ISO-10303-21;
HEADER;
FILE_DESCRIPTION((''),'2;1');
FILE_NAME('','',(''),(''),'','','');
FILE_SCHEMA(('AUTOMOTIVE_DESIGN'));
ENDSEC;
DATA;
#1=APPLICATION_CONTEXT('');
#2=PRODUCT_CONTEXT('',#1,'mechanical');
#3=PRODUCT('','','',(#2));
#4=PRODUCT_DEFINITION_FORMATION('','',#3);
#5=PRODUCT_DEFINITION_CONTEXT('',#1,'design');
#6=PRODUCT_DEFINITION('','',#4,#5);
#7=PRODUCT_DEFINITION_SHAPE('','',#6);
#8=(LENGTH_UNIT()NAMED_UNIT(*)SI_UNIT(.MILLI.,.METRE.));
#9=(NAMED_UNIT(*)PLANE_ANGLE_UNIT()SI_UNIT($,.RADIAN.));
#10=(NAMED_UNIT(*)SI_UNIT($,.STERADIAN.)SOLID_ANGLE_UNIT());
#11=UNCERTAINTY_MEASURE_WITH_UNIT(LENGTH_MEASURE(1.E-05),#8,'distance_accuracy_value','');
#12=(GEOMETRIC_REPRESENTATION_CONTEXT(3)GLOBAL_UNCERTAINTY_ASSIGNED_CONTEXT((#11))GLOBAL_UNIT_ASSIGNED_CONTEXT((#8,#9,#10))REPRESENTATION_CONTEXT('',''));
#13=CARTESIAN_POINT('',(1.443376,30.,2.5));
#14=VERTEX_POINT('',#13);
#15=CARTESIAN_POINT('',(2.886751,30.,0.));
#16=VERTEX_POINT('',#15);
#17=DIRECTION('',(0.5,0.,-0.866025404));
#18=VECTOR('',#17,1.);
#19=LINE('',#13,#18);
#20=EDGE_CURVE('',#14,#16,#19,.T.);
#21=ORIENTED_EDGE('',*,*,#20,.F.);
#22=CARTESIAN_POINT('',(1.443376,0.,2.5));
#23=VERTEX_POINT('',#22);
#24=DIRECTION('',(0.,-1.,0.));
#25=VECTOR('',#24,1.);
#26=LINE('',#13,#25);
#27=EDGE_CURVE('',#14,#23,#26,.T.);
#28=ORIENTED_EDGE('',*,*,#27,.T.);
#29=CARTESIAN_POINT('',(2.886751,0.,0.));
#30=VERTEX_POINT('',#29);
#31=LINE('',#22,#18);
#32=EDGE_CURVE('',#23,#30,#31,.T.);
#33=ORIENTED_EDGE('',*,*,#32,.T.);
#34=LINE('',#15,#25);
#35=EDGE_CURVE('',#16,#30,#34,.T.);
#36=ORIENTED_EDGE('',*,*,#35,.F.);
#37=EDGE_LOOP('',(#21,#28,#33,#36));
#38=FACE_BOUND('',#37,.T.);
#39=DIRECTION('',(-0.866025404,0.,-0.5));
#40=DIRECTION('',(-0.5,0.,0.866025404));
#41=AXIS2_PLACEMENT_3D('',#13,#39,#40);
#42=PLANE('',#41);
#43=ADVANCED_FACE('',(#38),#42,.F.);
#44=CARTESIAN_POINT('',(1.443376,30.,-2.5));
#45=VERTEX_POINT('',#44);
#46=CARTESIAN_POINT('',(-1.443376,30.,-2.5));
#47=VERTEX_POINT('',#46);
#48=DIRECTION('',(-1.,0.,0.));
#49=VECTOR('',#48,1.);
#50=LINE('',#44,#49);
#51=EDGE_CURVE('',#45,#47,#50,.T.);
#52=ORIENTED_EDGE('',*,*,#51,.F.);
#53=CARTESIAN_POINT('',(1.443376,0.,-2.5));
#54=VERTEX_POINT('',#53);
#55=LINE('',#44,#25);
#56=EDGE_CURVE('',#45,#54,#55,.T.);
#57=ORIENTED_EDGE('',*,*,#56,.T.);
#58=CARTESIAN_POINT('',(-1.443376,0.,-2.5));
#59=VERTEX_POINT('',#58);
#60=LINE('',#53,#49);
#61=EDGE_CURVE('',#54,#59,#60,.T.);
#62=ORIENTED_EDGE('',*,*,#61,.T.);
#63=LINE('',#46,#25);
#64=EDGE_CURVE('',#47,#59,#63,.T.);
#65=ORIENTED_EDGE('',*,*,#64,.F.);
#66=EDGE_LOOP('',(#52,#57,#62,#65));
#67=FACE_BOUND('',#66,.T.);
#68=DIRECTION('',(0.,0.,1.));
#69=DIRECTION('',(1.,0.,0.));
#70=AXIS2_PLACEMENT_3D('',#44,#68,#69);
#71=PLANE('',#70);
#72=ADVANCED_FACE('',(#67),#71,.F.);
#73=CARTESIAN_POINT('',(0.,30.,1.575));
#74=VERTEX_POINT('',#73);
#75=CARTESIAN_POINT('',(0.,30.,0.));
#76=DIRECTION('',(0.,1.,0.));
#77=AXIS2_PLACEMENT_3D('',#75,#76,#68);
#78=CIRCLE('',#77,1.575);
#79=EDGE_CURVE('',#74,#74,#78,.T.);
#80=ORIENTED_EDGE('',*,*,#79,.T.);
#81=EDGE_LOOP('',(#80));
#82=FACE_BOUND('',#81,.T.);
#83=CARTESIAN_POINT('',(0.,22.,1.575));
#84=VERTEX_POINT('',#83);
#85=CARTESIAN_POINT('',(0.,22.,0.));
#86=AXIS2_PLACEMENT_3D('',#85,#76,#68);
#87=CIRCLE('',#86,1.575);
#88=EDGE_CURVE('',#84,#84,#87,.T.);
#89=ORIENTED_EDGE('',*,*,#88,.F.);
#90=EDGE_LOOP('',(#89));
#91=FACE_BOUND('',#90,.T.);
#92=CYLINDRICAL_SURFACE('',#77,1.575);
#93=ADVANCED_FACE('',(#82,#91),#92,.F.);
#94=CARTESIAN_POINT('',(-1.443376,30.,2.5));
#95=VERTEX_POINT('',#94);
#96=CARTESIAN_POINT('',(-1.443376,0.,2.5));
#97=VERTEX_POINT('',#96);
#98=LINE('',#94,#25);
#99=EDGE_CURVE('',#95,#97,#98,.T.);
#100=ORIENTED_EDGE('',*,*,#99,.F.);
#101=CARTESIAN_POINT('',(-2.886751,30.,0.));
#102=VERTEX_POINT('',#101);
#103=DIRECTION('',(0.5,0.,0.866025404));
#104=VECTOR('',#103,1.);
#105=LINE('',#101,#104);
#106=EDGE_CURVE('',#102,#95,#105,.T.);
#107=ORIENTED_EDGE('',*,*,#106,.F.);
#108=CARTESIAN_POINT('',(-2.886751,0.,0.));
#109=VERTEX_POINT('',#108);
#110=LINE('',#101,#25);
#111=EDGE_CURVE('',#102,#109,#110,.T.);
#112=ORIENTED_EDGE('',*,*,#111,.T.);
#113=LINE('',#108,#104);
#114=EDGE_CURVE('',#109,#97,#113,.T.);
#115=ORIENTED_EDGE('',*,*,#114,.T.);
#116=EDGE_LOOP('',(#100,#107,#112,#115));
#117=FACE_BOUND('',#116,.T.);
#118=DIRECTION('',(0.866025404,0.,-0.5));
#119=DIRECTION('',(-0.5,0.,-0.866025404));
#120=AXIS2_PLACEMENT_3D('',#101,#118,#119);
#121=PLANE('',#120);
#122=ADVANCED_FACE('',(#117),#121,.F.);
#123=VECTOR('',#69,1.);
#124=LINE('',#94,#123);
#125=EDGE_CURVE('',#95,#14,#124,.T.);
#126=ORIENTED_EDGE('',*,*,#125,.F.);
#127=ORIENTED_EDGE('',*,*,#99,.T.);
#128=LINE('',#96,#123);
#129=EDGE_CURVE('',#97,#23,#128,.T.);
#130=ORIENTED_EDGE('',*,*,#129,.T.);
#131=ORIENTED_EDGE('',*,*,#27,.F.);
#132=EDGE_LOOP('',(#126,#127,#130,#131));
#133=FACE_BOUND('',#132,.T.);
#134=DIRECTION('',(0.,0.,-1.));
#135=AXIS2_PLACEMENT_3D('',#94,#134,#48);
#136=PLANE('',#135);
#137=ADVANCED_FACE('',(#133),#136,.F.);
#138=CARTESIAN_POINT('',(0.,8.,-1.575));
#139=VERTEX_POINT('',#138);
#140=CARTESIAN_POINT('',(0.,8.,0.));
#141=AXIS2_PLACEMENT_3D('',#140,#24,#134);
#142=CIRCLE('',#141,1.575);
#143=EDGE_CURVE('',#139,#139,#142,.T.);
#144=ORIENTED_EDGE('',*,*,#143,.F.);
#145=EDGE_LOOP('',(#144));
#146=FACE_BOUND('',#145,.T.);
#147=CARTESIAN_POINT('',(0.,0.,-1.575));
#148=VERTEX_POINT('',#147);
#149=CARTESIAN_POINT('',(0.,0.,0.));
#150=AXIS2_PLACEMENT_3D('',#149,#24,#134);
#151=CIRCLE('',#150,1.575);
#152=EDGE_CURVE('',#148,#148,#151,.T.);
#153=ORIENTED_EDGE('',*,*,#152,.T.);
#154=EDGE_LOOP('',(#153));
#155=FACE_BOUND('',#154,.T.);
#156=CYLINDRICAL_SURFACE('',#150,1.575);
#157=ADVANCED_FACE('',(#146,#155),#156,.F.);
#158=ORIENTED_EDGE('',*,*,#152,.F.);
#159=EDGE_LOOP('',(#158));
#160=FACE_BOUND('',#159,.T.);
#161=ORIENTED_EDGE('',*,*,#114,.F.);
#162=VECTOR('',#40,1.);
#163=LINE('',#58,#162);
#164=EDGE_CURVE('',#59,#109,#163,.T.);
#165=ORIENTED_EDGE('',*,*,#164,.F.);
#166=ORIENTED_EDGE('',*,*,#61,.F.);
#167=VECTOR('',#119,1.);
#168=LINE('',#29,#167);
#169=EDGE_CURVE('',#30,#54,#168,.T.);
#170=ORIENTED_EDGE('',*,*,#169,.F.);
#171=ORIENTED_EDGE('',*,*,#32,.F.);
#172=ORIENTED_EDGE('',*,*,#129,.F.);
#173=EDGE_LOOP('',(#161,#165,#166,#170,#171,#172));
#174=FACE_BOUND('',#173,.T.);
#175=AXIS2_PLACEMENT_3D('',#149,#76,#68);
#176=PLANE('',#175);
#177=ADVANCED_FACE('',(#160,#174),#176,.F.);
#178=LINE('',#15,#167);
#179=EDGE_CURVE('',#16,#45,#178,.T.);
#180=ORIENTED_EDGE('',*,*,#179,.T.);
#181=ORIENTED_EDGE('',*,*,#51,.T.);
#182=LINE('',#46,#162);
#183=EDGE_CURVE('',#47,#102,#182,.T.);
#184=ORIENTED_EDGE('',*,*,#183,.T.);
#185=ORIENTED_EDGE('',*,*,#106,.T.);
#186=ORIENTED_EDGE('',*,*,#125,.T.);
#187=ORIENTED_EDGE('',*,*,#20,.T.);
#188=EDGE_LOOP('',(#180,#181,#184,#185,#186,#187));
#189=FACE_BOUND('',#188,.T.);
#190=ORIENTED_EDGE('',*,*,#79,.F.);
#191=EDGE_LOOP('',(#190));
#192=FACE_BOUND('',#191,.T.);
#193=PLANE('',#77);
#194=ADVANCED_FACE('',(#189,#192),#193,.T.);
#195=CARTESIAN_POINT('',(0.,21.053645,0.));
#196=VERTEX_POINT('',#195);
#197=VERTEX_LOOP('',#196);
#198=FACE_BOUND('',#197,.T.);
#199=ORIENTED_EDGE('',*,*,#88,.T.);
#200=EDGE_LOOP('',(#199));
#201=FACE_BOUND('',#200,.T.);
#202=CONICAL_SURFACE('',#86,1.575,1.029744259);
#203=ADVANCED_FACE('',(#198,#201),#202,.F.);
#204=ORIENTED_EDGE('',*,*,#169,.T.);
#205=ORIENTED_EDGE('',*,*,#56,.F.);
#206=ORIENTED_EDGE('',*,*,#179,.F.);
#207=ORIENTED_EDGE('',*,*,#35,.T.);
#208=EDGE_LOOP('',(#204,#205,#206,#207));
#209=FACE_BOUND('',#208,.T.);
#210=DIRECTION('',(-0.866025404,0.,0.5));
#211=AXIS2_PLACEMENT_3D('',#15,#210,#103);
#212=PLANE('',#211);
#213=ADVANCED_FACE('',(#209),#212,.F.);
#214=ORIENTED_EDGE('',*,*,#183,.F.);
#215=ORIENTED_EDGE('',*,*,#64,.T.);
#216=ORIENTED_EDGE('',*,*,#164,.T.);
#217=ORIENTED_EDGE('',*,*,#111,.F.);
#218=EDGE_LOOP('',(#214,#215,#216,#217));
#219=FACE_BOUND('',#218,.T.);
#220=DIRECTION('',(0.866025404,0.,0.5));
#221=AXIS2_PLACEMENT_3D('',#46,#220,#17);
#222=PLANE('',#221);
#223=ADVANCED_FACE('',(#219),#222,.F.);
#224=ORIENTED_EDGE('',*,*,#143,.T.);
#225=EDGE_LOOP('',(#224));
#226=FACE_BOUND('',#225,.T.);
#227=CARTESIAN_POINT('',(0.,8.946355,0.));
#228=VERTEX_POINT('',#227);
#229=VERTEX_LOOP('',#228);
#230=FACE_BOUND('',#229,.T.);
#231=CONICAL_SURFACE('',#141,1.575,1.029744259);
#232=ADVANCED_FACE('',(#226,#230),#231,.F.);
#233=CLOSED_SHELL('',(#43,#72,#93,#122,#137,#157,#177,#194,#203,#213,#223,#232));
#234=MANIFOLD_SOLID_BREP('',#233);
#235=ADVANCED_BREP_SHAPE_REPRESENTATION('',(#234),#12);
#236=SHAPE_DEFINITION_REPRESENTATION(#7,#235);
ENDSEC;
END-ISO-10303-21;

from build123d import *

# Parameters (mm, degrees)
EXTRUDE_1_DEPTH       = 30
HOLE_WIZARD_M35_D     = 3.15
HOLE_WIZARD_M35_DEPTH = 8
HOLE_WIZARD_M35_TIP   = 0.946355475
HOLE_WIZARD_M36_D     = 3.15
HOLE_WIZARD_M36_DEPTH = 8
HOLE_WIZARD_M36_TIP   = 0.946355475


with BuildPart() as part:
    # Эскиз1 → Бобышка-Вытянуть1 (new body)
    with BuildSketch(Plane(origin=(0, 0, 0), x_dir=(1, 0, 0), z_dir=(0, 1, 0))):
        Polygon((2.886751346, 0), (1.443375673, 2.5), (-1.443375673, 2.5), (-2.886751346, 0), (-1.443375673, -2.5), (1.443375673, -2.5), align=None)
    extrude(amount=EXTRUDE_1_DEPTH)

    # Сверло под метчик  спиральное M35
    with Locations(Plane(origin=(0, 30, 0), x_dir=(1, 0, 0), z_dir=(0, 1, 0))):
        with Locations((0, 0)):
            Hole(HOLE_WIZARD_M35_D / 2, depth=HOLE_WIZARD_M35_DEPTH)
            with Locations((0, 0, -(HOLE_WIZARD_M35_DEPTH + HOLE_WIZARD_M35_TIP / 2))):  # 118° drill point
                Cone(0, HOLE_WIZARD_M35_D / 2, HOLE_WIZARD_M35_TIP, mode=Mode.SUBTRACT)

    # Сверло под метчик  спиральное M36
    with Locations(Plane(origin=(0, 0, 0), x_dir=(-1, 0, 0), z_dir=(0, -1, 0))):
        with Locations((0, 0)):
            Hole(HOLE_WIZARD_M36_D / 2, depth=HOLE_WIZARD_M36_DEPTH)
            with Locations((0, 0, -(HOLE_WIZARD_M36_DEPTH + HOLE_WIZARD_M36_TIP / 2))):  # 118° drill point
                Cone(0, HOLE_WIZARD_M36_D / 2, HOLE_WIZARD_M36_TIP, mode=Mode.SUBTRACT)


solid = part.part
